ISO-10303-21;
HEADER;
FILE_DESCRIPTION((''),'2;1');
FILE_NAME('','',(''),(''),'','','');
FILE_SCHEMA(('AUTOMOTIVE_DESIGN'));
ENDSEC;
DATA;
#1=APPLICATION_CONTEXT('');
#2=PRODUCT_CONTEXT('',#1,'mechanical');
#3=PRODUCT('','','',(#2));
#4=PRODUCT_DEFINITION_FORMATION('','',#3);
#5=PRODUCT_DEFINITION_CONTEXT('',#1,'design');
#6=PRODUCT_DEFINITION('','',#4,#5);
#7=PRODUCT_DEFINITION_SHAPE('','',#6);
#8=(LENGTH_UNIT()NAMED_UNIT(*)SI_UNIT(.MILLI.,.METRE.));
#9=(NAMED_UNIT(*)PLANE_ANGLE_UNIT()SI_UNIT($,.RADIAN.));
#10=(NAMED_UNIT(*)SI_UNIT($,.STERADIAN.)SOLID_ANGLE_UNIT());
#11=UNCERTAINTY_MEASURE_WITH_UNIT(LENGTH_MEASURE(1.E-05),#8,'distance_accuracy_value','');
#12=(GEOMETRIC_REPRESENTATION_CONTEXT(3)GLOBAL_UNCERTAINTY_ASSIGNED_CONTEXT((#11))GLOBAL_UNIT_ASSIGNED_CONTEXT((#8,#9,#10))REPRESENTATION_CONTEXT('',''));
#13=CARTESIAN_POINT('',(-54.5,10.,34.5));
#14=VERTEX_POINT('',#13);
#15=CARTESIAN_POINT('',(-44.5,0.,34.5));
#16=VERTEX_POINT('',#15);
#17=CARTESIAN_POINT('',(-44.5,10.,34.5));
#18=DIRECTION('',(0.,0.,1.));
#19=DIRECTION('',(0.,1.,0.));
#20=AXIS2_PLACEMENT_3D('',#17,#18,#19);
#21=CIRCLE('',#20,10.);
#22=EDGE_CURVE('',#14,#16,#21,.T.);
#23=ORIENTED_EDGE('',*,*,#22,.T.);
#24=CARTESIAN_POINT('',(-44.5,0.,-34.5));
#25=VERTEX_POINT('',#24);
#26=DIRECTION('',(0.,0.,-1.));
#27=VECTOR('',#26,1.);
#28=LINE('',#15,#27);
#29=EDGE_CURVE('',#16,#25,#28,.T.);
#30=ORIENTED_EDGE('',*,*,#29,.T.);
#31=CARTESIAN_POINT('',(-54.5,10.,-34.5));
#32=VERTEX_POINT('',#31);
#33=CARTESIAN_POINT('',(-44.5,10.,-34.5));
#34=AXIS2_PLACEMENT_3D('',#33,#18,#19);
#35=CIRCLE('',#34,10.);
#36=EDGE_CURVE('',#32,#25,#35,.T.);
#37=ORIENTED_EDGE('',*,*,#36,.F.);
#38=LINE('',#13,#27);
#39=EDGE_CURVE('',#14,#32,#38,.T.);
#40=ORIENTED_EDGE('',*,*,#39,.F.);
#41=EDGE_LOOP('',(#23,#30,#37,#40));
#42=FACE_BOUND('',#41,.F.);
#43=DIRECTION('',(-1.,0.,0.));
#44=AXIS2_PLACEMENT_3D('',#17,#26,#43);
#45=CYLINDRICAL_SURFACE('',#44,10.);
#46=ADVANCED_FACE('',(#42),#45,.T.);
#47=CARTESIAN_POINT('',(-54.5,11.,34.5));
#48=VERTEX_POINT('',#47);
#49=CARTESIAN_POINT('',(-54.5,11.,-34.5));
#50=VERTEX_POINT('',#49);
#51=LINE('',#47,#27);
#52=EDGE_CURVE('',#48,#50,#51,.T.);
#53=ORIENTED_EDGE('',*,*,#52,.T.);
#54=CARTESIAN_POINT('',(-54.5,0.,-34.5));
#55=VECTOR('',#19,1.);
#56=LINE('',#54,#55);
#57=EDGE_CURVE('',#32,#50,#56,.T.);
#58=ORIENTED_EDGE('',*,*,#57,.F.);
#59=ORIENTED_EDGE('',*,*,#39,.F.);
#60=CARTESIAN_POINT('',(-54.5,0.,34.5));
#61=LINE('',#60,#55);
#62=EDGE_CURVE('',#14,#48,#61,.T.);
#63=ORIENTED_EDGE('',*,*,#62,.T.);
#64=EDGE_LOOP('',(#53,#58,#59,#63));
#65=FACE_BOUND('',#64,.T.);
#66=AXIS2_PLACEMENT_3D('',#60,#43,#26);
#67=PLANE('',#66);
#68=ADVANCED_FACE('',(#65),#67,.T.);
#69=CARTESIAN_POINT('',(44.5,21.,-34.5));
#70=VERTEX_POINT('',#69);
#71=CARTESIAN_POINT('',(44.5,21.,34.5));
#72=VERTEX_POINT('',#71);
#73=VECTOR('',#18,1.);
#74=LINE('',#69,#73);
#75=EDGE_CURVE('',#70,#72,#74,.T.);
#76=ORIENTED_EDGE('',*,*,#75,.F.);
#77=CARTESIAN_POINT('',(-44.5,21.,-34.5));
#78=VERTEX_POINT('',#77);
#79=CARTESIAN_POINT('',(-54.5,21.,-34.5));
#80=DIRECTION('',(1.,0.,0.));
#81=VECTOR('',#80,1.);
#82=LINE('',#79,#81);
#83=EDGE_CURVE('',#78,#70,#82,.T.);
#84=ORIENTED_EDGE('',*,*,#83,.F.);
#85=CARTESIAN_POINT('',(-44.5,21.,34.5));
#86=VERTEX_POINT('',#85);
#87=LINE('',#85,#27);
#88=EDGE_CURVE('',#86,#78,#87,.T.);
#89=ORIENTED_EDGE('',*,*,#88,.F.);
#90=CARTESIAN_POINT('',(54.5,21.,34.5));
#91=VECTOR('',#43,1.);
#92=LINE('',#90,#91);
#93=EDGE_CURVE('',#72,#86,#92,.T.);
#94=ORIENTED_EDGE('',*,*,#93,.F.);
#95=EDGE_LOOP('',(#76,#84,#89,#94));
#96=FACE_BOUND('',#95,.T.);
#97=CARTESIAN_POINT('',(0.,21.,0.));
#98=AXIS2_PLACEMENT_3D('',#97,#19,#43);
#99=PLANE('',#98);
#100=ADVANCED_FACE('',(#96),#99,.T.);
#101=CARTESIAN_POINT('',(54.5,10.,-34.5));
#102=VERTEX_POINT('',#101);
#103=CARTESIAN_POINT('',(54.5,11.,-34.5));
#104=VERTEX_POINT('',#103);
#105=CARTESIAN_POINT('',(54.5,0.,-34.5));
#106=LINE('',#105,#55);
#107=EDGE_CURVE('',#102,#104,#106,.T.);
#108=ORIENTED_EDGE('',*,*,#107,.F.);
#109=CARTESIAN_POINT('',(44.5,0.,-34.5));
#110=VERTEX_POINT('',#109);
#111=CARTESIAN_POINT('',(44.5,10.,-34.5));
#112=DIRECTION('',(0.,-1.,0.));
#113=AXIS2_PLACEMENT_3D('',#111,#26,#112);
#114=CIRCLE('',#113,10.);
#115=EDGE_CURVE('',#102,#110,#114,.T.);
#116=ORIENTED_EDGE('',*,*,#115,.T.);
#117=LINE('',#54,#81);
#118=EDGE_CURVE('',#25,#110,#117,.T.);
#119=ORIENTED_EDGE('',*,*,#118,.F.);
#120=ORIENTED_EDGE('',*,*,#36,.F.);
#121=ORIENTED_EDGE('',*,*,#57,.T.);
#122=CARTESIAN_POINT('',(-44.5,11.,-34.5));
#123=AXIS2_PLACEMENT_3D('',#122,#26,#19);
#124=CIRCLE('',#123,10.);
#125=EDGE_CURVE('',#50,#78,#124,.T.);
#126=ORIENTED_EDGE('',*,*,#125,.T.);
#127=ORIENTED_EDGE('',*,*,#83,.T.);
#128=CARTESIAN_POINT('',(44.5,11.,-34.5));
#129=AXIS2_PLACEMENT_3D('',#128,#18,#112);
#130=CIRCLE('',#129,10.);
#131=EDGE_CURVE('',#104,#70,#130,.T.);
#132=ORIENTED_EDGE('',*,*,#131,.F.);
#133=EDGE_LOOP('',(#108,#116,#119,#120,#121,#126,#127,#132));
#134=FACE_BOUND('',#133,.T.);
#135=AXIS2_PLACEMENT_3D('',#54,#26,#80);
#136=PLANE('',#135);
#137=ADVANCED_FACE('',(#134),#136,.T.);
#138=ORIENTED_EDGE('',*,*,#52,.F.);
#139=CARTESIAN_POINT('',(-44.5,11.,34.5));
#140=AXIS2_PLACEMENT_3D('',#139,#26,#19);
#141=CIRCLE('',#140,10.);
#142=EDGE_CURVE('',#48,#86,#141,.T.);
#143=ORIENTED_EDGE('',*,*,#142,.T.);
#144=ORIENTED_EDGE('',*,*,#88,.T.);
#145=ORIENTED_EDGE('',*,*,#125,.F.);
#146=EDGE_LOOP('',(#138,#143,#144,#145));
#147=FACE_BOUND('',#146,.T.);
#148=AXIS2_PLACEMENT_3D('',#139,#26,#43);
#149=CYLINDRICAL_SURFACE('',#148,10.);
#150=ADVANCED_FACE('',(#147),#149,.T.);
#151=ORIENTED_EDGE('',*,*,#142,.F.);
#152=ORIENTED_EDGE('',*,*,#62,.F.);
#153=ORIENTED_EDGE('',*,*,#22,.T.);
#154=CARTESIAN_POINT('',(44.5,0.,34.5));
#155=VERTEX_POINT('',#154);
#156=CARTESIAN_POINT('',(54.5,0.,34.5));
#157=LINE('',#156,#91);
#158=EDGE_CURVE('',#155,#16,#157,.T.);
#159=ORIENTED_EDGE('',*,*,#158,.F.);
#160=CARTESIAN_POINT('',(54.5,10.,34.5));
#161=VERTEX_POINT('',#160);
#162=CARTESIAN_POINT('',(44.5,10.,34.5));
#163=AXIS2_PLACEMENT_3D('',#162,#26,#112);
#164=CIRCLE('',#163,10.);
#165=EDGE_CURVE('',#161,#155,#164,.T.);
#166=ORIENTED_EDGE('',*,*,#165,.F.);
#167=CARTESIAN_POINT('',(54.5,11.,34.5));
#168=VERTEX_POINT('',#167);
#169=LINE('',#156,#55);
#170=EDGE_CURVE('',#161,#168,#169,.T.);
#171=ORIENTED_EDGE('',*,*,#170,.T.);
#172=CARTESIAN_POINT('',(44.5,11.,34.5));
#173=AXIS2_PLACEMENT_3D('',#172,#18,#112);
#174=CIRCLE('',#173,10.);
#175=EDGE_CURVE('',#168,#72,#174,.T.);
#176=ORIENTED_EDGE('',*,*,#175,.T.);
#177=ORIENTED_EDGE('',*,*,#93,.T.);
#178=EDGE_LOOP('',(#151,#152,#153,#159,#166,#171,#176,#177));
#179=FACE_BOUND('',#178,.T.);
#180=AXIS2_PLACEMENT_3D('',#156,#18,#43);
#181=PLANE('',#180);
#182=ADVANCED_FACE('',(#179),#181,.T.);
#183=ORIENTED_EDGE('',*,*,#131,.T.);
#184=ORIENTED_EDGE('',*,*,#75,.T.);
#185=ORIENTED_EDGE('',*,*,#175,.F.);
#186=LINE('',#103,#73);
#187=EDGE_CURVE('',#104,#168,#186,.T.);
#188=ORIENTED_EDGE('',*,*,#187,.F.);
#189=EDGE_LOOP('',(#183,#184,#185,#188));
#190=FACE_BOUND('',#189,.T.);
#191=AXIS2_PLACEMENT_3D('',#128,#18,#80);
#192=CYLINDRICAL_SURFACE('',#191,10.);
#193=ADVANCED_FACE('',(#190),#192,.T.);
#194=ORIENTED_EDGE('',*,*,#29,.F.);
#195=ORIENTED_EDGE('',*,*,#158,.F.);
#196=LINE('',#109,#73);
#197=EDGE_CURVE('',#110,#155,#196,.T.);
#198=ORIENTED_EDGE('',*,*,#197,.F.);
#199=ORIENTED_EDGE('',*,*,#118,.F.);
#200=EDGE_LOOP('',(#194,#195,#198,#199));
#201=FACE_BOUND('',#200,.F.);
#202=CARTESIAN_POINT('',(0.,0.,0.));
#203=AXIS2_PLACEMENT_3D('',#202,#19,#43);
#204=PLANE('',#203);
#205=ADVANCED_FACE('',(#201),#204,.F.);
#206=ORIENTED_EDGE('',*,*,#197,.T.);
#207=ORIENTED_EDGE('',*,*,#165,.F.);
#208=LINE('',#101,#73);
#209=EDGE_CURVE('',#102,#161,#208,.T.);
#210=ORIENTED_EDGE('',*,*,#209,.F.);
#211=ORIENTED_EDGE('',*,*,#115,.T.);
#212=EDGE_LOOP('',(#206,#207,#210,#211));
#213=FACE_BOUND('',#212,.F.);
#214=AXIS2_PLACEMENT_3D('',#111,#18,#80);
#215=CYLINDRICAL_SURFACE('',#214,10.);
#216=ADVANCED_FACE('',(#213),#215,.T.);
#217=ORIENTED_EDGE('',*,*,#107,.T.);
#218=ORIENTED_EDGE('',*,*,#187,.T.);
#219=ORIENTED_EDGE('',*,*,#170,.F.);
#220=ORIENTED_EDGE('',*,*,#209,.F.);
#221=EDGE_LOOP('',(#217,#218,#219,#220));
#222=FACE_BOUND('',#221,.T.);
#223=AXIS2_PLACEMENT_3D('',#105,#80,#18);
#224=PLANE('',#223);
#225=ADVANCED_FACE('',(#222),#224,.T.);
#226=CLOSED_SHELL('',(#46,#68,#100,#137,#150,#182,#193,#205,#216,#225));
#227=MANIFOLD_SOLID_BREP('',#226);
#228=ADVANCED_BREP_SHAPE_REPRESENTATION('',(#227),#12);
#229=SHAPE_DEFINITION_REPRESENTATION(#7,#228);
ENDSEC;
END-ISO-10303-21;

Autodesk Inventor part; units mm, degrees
ref_plane "YZ Plane" through (0, 0, 0) normal (1, 0, 0) x (0, 1, 0)
ref_plane "XZ Plane" through (0, 0, 0) normal (0, 1, 0) x (-1, 0, 0)
ref_plane "XY Plane" through (0, 0, 0) normal (0, 0, 1) x (1, 0, 0)
sketch "Sketch1" plane through (0, 0, 0) normal (0, 1, 0) x (-1, 0, 0)
  line L0 (-54.5, 34.5) -> (54.5, 34.5)
  line L1 (54.5, 34.5) -> (54.5, -34.5)
  line L2 (54.5, -34.5) -> (-54.5, -34.5)
  line L3 (-54.5, -34.5) -> (-54.5, 34.5)
  line L4 (-54.5, 34.5) -> (54.5, -34.5) construction
  line L5 (54.5, 34.5) -> (-54.5, -34.5) construction
  point P0 (0, 0)
  dimension "d0" = 109
  dimension "d1" = 69
extrude "Extrusion1" add sketch "Sketch1" along normal blind 21
fillet "Fillet1" radius 10 4 edges at (54.5, 21, 0) (54.5, 0, 0) (-54.5, 21, 0) (-54.5, 0, 0)
properties part number "custom_lipo"
